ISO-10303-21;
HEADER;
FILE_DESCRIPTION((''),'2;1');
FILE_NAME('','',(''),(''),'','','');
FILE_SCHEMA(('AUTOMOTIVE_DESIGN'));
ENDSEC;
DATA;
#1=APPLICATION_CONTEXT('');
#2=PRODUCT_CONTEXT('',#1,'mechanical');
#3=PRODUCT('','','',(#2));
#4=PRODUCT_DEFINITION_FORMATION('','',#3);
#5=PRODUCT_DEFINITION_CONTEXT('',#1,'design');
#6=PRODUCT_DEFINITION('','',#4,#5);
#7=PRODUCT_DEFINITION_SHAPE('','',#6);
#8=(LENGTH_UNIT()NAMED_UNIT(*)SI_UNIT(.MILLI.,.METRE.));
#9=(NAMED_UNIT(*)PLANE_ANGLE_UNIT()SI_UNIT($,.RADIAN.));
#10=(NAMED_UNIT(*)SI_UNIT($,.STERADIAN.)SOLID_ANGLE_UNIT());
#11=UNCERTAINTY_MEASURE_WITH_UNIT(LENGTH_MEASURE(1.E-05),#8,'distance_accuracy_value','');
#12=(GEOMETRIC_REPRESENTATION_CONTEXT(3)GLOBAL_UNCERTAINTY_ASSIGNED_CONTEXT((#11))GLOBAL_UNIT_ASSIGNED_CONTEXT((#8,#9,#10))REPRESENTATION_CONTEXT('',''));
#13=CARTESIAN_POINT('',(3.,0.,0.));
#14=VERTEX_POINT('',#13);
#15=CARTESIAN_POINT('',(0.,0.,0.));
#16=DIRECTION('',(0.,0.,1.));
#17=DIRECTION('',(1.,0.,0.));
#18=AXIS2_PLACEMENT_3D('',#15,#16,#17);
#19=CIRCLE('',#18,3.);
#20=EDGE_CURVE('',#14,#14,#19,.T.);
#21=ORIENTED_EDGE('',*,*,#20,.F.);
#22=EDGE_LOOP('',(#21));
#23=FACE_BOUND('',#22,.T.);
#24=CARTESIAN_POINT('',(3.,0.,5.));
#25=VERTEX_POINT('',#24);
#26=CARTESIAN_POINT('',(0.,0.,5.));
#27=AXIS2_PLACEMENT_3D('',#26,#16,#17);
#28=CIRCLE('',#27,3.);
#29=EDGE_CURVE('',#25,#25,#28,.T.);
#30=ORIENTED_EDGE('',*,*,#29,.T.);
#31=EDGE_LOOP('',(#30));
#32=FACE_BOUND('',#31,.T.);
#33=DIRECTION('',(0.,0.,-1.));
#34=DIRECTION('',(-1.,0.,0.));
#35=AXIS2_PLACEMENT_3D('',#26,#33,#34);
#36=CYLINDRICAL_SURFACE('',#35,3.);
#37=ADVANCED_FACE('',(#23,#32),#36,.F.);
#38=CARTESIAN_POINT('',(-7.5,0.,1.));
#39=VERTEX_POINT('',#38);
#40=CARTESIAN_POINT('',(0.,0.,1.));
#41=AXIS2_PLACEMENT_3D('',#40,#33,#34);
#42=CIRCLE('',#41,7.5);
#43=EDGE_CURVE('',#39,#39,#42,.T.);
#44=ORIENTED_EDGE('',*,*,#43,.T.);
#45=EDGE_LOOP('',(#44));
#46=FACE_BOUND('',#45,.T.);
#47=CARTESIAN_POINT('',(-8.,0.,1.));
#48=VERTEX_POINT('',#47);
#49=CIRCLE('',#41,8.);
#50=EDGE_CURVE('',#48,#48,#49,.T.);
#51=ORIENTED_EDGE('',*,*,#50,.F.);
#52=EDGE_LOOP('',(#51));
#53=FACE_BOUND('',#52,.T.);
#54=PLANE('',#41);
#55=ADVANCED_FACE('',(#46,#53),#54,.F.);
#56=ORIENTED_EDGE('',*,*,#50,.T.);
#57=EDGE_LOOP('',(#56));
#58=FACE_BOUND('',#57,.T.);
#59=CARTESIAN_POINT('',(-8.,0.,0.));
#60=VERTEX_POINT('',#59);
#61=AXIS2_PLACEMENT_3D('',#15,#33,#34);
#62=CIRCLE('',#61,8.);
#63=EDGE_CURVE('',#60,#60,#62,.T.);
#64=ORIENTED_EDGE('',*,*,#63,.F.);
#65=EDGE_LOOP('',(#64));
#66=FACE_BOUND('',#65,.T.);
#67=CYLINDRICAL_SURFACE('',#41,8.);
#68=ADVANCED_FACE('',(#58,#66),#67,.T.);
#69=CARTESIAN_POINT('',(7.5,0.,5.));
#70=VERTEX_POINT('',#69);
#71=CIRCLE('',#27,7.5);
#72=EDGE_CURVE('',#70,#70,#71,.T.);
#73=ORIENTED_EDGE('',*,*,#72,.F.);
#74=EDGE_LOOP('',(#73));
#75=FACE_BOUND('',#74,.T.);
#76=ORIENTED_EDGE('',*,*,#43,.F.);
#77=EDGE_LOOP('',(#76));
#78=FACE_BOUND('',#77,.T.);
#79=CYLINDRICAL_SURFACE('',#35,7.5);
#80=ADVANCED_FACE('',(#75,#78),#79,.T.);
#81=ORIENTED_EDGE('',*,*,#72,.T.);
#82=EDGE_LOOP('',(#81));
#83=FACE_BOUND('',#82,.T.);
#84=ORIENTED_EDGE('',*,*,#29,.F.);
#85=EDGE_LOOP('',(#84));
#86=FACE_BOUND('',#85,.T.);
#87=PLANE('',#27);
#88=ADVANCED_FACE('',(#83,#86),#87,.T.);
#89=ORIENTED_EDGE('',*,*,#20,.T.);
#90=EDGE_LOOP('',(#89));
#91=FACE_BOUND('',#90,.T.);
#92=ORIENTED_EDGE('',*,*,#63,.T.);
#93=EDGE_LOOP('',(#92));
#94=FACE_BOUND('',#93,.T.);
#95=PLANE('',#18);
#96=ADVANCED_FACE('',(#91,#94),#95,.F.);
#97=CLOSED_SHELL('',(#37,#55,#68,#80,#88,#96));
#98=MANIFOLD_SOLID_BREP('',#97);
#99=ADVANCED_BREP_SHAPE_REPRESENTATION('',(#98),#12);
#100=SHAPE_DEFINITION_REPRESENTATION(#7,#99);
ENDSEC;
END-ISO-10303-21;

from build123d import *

# Parameters (mm, degrees)
SKETCH1_R           = 7.5
SKETCH1_R_2         = 3
BOSS_EXTRUDE1_DEPTH = 5
SKETCH2_R           = 8
SKETCH2_R_2         = 7.5
BOSS_EXTRUDE2_DEPTH = 1


with BuildPart() as part:
    # Sketch1 → Boss-Extrude1 (new body)
    with BuildSketch(Plane.XY):
        Circle(SKETCH1_R)
        Circle(SKETCH1_R_2, mode=Mode.SUBTRACT)
    extrude(amount=BOSS_EXTRUDE1_DEPTH)

    # Sketch2 → Boss-Extrude2 (add)
    with BuildSketch(Plane(origin=(0, 0, 0), x_dir=(-1, 0, 0), z_dir=(0, 0, -1))):
        Circle(SKETCH2_R)
        Circle(SKETCH2_R_2, mode=Mode.SUBTRACT)
    extrude(amount=-BOSS_EXTRUDE2_DEPTH)


solid = part.part
